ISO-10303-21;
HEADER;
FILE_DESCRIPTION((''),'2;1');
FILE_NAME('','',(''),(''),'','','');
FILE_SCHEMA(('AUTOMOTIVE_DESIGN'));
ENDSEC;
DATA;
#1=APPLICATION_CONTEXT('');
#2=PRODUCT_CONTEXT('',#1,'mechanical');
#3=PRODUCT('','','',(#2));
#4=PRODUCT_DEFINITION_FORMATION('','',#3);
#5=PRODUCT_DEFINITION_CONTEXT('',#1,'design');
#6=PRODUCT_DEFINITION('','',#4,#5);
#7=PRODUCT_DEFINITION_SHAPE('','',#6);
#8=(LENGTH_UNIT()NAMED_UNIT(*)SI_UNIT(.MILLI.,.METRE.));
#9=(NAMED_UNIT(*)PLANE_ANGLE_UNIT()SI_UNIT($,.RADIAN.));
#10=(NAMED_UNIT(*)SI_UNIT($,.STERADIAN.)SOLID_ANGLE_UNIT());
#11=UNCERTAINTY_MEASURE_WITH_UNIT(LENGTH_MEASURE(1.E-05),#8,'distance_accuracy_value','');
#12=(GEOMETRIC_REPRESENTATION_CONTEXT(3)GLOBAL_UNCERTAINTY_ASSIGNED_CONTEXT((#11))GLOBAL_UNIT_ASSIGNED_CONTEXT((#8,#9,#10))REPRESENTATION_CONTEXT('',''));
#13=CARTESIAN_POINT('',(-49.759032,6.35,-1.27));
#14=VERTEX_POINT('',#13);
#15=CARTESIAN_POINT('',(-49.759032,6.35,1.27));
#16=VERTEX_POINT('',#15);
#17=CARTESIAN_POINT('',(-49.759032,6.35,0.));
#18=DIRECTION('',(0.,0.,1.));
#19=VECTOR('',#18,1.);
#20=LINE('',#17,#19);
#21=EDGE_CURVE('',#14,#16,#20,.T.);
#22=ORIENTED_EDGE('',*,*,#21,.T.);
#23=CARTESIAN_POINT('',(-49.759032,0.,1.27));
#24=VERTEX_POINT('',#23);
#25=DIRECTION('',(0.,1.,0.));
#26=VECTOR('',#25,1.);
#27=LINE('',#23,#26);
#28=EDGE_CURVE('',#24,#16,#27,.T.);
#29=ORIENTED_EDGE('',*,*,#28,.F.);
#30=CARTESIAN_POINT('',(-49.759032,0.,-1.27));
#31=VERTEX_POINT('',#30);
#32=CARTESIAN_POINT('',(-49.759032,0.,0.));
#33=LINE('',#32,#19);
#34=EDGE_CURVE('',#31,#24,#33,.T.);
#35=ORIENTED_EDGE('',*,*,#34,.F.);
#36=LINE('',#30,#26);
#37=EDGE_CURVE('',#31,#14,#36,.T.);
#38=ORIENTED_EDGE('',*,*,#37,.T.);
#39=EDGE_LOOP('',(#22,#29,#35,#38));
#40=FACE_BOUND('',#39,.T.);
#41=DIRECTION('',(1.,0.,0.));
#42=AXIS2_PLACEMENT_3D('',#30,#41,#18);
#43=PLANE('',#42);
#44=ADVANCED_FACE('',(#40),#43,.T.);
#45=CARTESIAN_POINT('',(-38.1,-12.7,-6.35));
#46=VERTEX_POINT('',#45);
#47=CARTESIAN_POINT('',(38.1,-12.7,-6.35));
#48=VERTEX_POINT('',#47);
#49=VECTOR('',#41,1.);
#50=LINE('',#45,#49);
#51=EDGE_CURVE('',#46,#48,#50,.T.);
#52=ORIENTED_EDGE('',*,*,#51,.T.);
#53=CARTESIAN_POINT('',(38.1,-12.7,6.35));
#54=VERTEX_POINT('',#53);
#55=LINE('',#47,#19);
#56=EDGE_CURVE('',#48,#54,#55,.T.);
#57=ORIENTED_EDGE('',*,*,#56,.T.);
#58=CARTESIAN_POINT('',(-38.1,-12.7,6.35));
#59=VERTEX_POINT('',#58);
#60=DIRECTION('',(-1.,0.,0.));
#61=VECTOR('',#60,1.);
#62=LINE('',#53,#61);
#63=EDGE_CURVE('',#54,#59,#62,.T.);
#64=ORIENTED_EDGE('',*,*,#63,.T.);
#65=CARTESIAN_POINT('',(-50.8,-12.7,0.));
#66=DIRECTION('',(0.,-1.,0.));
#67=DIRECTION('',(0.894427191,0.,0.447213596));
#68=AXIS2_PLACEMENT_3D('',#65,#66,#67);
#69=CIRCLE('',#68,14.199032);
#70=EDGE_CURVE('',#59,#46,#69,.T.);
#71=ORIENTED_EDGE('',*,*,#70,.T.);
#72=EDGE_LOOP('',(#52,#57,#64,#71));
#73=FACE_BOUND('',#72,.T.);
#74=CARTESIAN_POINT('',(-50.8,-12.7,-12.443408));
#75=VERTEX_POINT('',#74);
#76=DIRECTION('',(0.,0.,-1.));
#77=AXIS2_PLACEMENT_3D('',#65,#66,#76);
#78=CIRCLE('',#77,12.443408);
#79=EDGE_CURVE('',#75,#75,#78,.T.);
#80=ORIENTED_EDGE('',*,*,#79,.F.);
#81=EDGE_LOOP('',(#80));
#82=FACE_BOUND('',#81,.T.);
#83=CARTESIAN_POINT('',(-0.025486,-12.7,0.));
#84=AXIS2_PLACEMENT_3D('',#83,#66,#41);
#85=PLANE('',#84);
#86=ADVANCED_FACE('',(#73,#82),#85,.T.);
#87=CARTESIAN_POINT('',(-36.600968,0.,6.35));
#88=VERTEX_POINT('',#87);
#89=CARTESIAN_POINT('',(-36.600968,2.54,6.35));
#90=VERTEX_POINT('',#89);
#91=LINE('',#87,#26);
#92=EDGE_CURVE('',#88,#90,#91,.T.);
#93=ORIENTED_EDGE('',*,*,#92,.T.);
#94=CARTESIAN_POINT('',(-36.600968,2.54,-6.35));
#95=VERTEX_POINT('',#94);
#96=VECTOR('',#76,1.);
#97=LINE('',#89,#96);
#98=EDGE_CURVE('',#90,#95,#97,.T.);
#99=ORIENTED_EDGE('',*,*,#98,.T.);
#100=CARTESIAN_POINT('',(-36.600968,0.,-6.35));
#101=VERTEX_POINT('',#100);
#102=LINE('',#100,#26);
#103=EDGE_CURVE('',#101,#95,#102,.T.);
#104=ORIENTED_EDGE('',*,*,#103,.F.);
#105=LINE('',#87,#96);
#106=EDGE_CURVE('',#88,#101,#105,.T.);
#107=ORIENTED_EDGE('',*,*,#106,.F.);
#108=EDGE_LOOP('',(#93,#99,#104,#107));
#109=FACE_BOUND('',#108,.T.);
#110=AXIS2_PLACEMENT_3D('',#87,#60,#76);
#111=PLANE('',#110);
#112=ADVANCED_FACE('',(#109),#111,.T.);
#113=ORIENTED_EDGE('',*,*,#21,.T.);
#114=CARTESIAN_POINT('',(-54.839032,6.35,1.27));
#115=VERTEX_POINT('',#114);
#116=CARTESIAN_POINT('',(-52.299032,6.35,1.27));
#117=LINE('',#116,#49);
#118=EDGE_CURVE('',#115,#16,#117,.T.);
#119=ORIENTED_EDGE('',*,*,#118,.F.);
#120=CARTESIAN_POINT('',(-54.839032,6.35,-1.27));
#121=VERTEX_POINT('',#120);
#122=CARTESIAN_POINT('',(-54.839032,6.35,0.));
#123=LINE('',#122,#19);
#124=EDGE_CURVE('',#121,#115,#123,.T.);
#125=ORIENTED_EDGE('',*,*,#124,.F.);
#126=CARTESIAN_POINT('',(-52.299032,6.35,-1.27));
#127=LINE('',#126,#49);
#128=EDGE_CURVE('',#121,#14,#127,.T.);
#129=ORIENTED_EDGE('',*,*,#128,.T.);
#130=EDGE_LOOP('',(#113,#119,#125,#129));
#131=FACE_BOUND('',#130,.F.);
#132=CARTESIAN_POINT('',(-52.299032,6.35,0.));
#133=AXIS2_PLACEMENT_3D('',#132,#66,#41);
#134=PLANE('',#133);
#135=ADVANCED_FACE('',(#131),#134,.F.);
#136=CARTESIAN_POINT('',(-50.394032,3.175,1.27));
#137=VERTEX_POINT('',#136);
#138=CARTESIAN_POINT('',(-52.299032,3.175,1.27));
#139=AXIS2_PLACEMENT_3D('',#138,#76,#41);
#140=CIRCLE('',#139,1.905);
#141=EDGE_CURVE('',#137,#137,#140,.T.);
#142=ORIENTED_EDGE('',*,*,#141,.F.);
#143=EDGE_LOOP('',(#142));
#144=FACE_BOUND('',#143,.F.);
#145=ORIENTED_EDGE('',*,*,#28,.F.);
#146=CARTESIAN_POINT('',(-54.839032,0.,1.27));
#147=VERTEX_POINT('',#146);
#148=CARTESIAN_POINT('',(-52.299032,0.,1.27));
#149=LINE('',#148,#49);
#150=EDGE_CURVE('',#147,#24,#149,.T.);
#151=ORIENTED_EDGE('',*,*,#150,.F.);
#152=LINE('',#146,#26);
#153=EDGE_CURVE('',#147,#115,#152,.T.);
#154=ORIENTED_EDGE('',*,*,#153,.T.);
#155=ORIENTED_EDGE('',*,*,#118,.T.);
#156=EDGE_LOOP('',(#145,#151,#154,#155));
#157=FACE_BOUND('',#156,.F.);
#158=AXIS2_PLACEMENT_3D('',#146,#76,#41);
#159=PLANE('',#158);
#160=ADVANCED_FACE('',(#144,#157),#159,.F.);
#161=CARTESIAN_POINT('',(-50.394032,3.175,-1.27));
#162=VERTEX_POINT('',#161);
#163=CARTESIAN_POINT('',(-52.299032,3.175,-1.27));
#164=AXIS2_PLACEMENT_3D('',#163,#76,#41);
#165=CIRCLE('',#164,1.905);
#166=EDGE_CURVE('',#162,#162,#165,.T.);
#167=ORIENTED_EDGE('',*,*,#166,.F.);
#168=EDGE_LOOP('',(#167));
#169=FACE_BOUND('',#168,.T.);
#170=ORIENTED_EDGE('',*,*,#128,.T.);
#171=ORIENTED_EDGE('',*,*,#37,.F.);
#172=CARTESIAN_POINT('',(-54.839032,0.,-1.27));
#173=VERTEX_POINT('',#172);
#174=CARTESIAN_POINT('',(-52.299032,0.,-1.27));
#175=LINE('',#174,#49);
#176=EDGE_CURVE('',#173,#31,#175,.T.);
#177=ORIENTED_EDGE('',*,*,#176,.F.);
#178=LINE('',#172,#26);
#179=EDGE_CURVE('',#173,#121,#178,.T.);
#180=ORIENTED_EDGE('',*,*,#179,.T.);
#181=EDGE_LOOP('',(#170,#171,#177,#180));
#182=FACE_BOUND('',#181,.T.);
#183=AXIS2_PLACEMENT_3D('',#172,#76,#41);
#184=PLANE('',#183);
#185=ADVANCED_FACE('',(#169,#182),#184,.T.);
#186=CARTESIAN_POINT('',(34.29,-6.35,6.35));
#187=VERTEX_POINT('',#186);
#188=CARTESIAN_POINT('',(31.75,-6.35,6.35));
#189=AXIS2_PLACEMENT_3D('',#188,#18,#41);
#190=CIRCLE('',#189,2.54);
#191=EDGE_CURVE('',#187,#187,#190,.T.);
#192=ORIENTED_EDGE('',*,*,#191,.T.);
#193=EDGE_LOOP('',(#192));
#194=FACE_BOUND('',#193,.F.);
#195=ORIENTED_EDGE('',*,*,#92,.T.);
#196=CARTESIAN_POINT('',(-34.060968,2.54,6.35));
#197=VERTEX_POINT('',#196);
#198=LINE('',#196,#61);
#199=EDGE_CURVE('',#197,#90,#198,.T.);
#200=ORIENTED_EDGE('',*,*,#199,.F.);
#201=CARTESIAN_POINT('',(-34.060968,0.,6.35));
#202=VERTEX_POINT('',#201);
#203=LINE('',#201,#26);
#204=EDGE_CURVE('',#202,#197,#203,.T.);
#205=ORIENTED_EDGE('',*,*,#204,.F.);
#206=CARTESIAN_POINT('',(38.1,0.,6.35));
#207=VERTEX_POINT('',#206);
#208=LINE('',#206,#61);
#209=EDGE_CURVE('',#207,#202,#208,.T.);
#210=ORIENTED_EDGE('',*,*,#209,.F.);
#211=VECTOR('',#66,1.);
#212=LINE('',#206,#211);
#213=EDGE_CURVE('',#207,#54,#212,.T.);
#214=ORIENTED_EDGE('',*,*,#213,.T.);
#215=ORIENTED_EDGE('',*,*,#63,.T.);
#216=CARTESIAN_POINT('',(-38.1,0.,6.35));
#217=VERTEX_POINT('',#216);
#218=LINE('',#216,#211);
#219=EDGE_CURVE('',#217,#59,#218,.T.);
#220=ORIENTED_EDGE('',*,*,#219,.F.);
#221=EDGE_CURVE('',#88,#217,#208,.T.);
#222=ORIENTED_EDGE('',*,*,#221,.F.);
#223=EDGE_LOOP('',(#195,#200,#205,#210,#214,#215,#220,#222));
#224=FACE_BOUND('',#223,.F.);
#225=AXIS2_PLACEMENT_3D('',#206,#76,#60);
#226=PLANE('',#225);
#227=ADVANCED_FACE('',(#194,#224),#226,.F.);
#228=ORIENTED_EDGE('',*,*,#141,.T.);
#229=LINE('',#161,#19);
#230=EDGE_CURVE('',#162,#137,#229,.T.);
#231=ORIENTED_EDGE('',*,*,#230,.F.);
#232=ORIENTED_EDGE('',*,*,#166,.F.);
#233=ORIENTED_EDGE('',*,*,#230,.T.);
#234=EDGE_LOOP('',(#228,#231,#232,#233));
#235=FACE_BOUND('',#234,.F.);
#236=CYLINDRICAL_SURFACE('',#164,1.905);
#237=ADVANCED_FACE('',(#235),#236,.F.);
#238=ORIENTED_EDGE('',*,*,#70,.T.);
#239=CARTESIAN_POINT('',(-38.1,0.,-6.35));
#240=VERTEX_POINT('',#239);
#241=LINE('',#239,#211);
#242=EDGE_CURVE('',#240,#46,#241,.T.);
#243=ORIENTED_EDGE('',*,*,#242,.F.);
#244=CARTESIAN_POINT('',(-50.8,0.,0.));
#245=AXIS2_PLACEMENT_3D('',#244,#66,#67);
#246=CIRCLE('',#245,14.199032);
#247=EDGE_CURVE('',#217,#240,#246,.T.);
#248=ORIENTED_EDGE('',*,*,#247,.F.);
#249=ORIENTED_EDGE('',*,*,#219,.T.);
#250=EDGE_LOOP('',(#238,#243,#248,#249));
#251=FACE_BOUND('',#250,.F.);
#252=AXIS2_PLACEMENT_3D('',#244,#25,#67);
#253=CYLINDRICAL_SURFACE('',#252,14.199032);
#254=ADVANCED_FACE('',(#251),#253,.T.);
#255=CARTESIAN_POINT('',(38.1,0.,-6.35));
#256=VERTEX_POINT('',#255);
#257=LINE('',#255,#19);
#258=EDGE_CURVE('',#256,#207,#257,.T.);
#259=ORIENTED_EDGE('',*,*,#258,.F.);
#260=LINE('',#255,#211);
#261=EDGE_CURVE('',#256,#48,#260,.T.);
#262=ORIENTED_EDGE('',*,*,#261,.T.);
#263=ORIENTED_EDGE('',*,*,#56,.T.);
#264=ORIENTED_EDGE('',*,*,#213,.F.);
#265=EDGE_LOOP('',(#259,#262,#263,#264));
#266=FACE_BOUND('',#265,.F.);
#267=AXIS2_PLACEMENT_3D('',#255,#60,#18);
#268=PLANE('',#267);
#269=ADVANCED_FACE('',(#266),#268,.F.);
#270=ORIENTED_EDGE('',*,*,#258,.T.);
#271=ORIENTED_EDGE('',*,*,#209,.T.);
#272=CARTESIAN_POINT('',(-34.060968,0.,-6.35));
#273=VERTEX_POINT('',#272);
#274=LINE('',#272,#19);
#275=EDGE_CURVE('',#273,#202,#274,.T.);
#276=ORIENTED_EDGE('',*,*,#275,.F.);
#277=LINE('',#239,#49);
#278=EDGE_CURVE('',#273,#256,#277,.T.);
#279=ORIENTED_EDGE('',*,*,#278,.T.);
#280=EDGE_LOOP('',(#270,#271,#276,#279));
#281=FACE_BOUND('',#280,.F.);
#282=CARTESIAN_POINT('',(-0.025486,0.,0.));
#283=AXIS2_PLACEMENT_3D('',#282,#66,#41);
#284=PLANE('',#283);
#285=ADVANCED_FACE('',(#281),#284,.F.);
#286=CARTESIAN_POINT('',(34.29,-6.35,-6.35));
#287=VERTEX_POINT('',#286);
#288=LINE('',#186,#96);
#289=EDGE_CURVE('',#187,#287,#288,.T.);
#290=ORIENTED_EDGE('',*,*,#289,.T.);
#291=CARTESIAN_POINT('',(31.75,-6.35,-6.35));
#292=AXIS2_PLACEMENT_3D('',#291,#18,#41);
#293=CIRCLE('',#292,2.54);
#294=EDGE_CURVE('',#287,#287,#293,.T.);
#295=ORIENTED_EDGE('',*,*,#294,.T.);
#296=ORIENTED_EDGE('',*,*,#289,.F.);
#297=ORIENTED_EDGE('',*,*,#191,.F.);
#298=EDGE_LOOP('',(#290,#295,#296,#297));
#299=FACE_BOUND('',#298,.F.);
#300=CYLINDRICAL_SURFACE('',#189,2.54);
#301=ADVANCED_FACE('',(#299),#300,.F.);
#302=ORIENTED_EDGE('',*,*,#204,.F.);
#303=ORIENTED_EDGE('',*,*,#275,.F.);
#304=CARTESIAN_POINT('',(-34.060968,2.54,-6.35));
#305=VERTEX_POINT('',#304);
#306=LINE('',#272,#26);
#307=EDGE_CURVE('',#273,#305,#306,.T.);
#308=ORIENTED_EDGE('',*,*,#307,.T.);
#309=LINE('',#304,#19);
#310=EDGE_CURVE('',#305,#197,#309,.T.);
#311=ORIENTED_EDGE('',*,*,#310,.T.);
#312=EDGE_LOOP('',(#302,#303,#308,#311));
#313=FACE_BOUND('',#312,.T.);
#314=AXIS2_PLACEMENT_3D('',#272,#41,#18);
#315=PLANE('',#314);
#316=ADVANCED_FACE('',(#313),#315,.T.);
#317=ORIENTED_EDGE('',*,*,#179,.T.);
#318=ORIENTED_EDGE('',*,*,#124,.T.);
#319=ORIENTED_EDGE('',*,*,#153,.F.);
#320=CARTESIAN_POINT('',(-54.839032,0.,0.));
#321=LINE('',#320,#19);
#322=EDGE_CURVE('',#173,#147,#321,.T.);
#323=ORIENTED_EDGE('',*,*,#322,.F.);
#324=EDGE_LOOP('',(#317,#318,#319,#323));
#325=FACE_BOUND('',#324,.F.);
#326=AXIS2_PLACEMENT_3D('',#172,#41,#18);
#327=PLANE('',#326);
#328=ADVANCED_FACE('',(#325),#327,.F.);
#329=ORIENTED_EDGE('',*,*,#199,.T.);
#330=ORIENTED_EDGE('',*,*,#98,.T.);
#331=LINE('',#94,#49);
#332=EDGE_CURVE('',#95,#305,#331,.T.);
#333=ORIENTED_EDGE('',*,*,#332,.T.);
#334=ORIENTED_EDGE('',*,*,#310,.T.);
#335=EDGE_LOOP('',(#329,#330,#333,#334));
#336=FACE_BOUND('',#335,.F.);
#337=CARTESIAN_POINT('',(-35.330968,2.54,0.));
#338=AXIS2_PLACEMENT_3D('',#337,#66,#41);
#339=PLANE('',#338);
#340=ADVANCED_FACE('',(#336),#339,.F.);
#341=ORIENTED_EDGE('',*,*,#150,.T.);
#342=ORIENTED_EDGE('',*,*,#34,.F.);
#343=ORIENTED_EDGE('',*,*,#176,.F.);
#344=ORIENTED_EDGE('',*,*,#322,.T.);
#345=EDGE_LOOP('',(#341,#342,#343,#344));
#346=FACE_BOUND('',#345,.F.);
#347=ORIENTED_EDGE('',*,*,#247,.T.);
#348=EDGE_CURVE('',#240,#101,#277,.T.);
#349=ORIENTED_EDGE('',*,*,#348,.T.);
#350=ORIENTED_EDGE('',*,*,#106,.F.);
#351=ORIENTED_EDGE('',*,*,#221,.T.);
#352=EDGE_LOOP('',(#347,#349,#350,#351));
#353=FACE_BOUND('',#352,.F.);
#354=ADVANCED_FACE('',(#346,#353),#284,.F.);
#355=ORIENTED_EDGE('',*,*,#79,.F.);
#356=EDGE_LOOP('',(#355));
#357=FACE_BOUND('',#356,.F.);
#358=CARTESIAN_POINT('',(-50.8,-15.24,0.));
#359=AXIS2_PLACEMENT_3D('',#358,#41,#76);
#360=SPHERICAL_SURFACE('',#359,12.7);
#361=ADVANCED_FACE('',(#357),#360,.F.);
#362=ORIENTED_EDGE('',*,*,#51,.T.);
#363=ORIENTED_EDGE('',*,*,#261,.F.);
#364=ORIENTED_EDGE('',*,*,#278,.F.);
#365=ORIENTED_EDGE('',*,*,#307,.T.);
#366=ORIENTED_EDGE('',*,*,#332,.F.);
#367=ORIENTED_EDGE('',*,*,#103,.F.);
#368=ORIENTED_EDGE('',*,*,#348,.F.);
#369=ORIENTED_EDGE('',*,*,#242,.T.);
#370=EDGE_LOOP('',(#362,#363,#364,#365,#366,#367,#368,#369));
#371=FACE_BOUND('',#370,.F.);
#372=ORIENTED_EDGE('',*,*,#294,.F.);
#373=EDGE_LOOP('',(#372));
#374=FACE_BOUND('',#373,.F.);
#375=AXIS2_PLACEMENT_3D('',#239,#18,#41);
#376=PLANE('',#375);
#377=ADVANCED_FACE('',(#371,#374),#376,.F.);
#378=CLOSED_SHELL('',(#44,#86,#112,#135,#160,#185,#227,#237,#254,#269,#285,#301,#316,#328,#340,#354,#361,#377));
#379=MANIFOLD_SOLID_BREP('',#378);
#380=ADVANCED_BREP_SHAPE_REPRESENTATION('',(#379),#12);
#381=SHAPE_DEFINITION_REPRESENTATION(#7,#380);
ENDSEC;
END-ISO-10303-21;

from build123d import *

# Parameters (mm, degrees)
F1_DEPTH  = 12.7
F6_DEPTH  = 12.7
F7_R      = 2.54
F8_DEPTH  = 12.7
F9_W      = 5.08
F9_H      = 2.54
F10_DEPTH = 6.35
F11_R     = 1.905
F12_DEPTH = 2.54
F14_DEPTH = 2.54


with BuildPart() as f1:
    # F0 (on Front) → F1 (new body)
    with BuildSketch(Plane.XZ):
        with BuildLine():
            ThreePointArc((-36.6009683429, 0), (-36.9808067883, 3.2622689922), (-38.1, 6.35))
            ThreePointArc((-38.1, 6.35), (-64.9990316571, 0), (-38.1, -6.35))
            ThreePointArc((-38.1, -6.35), (-36.9808067883, -3.2622689922), (-36.6009683429, 0))
        make_face()
    extrude(amount=F1_DEPTH)

    # F4 (on offset) → F5 (revolve, cut)
    with BuildSketch(Plane.XZ.offset(15.24)):
        with BuildLine():
            ThreePointArc((-63.5, 0), (-50.8, -12.7), (-38.1, 0))
            Line((-38.1, 0), (-63.5, 0))
        make_face()
    revolve(axis=Axis((-49.9650985003, -15.24, 0), (1, 0, 0)), mode=Mode.SUBTRACT)

    # F0 (on Front) → F6 (join)
    with BuildSketch(Plane.XZ):
        with BuildLine():
            Line((38.1, -6.35), (38.1, 6.35))
            Line((38.1, 6.35), (-38.1, 6.35))
            ThreePointArc((-38.1, 6.35), (-36.9808067883, 3.2622689922), (-36.6009683429, 0))
            ThreePointArc((-36.6009683429, 0), (-36.9808067883, -3.2622689922), (-38.1, -6.35))
            Line((-38.1, -6.35), (38.1, -6.35))
        make_face()
    extrude(amount=F6_DEPTH)

    # F7 (on face) → F8 (cut)
    with BuildSketch(Plane.XY.offset(6.35)):
        with Locations((31.75, -6.35)):
            Circle(F7_R)
    extrude(amount=-F8_DEPTH, mode=Mode.SUBTRACT)

    # F9 (on face) → F10 (join)
    with BuildSketch(Plane.XZ):
        with Locations((-52.2990316571, 0)):
            Rectangle(F9_W, F9_H)
    extrude(amount=-F10_DEPTH)

    # F11 (on face) → F12 (cut)
    with BuildSketch(Plane(origin=(0, 0, -1.27), x_dir=(1, 0, 0), z_dir=(0, 0, -1))):
        with Locations((-52.2990316571, -3.175)):
            Circle(F11_R)
    extrude(amount=-F12_DEPTH, mode=Mode.SUBTRACT)

    # F13 (on face) → F14 (join)
    with BuildSketch(Plane.XZ):
        Polygon((-36.6009683429, 0), (-36.6009683429, -6.35), (-34.0609683429, -6.35), (-34.0609683429, 6.35), (-36.6009683429, 6.35), align=None)
    extrude(amount=-F14_DEPTH)


solid = f1.part
